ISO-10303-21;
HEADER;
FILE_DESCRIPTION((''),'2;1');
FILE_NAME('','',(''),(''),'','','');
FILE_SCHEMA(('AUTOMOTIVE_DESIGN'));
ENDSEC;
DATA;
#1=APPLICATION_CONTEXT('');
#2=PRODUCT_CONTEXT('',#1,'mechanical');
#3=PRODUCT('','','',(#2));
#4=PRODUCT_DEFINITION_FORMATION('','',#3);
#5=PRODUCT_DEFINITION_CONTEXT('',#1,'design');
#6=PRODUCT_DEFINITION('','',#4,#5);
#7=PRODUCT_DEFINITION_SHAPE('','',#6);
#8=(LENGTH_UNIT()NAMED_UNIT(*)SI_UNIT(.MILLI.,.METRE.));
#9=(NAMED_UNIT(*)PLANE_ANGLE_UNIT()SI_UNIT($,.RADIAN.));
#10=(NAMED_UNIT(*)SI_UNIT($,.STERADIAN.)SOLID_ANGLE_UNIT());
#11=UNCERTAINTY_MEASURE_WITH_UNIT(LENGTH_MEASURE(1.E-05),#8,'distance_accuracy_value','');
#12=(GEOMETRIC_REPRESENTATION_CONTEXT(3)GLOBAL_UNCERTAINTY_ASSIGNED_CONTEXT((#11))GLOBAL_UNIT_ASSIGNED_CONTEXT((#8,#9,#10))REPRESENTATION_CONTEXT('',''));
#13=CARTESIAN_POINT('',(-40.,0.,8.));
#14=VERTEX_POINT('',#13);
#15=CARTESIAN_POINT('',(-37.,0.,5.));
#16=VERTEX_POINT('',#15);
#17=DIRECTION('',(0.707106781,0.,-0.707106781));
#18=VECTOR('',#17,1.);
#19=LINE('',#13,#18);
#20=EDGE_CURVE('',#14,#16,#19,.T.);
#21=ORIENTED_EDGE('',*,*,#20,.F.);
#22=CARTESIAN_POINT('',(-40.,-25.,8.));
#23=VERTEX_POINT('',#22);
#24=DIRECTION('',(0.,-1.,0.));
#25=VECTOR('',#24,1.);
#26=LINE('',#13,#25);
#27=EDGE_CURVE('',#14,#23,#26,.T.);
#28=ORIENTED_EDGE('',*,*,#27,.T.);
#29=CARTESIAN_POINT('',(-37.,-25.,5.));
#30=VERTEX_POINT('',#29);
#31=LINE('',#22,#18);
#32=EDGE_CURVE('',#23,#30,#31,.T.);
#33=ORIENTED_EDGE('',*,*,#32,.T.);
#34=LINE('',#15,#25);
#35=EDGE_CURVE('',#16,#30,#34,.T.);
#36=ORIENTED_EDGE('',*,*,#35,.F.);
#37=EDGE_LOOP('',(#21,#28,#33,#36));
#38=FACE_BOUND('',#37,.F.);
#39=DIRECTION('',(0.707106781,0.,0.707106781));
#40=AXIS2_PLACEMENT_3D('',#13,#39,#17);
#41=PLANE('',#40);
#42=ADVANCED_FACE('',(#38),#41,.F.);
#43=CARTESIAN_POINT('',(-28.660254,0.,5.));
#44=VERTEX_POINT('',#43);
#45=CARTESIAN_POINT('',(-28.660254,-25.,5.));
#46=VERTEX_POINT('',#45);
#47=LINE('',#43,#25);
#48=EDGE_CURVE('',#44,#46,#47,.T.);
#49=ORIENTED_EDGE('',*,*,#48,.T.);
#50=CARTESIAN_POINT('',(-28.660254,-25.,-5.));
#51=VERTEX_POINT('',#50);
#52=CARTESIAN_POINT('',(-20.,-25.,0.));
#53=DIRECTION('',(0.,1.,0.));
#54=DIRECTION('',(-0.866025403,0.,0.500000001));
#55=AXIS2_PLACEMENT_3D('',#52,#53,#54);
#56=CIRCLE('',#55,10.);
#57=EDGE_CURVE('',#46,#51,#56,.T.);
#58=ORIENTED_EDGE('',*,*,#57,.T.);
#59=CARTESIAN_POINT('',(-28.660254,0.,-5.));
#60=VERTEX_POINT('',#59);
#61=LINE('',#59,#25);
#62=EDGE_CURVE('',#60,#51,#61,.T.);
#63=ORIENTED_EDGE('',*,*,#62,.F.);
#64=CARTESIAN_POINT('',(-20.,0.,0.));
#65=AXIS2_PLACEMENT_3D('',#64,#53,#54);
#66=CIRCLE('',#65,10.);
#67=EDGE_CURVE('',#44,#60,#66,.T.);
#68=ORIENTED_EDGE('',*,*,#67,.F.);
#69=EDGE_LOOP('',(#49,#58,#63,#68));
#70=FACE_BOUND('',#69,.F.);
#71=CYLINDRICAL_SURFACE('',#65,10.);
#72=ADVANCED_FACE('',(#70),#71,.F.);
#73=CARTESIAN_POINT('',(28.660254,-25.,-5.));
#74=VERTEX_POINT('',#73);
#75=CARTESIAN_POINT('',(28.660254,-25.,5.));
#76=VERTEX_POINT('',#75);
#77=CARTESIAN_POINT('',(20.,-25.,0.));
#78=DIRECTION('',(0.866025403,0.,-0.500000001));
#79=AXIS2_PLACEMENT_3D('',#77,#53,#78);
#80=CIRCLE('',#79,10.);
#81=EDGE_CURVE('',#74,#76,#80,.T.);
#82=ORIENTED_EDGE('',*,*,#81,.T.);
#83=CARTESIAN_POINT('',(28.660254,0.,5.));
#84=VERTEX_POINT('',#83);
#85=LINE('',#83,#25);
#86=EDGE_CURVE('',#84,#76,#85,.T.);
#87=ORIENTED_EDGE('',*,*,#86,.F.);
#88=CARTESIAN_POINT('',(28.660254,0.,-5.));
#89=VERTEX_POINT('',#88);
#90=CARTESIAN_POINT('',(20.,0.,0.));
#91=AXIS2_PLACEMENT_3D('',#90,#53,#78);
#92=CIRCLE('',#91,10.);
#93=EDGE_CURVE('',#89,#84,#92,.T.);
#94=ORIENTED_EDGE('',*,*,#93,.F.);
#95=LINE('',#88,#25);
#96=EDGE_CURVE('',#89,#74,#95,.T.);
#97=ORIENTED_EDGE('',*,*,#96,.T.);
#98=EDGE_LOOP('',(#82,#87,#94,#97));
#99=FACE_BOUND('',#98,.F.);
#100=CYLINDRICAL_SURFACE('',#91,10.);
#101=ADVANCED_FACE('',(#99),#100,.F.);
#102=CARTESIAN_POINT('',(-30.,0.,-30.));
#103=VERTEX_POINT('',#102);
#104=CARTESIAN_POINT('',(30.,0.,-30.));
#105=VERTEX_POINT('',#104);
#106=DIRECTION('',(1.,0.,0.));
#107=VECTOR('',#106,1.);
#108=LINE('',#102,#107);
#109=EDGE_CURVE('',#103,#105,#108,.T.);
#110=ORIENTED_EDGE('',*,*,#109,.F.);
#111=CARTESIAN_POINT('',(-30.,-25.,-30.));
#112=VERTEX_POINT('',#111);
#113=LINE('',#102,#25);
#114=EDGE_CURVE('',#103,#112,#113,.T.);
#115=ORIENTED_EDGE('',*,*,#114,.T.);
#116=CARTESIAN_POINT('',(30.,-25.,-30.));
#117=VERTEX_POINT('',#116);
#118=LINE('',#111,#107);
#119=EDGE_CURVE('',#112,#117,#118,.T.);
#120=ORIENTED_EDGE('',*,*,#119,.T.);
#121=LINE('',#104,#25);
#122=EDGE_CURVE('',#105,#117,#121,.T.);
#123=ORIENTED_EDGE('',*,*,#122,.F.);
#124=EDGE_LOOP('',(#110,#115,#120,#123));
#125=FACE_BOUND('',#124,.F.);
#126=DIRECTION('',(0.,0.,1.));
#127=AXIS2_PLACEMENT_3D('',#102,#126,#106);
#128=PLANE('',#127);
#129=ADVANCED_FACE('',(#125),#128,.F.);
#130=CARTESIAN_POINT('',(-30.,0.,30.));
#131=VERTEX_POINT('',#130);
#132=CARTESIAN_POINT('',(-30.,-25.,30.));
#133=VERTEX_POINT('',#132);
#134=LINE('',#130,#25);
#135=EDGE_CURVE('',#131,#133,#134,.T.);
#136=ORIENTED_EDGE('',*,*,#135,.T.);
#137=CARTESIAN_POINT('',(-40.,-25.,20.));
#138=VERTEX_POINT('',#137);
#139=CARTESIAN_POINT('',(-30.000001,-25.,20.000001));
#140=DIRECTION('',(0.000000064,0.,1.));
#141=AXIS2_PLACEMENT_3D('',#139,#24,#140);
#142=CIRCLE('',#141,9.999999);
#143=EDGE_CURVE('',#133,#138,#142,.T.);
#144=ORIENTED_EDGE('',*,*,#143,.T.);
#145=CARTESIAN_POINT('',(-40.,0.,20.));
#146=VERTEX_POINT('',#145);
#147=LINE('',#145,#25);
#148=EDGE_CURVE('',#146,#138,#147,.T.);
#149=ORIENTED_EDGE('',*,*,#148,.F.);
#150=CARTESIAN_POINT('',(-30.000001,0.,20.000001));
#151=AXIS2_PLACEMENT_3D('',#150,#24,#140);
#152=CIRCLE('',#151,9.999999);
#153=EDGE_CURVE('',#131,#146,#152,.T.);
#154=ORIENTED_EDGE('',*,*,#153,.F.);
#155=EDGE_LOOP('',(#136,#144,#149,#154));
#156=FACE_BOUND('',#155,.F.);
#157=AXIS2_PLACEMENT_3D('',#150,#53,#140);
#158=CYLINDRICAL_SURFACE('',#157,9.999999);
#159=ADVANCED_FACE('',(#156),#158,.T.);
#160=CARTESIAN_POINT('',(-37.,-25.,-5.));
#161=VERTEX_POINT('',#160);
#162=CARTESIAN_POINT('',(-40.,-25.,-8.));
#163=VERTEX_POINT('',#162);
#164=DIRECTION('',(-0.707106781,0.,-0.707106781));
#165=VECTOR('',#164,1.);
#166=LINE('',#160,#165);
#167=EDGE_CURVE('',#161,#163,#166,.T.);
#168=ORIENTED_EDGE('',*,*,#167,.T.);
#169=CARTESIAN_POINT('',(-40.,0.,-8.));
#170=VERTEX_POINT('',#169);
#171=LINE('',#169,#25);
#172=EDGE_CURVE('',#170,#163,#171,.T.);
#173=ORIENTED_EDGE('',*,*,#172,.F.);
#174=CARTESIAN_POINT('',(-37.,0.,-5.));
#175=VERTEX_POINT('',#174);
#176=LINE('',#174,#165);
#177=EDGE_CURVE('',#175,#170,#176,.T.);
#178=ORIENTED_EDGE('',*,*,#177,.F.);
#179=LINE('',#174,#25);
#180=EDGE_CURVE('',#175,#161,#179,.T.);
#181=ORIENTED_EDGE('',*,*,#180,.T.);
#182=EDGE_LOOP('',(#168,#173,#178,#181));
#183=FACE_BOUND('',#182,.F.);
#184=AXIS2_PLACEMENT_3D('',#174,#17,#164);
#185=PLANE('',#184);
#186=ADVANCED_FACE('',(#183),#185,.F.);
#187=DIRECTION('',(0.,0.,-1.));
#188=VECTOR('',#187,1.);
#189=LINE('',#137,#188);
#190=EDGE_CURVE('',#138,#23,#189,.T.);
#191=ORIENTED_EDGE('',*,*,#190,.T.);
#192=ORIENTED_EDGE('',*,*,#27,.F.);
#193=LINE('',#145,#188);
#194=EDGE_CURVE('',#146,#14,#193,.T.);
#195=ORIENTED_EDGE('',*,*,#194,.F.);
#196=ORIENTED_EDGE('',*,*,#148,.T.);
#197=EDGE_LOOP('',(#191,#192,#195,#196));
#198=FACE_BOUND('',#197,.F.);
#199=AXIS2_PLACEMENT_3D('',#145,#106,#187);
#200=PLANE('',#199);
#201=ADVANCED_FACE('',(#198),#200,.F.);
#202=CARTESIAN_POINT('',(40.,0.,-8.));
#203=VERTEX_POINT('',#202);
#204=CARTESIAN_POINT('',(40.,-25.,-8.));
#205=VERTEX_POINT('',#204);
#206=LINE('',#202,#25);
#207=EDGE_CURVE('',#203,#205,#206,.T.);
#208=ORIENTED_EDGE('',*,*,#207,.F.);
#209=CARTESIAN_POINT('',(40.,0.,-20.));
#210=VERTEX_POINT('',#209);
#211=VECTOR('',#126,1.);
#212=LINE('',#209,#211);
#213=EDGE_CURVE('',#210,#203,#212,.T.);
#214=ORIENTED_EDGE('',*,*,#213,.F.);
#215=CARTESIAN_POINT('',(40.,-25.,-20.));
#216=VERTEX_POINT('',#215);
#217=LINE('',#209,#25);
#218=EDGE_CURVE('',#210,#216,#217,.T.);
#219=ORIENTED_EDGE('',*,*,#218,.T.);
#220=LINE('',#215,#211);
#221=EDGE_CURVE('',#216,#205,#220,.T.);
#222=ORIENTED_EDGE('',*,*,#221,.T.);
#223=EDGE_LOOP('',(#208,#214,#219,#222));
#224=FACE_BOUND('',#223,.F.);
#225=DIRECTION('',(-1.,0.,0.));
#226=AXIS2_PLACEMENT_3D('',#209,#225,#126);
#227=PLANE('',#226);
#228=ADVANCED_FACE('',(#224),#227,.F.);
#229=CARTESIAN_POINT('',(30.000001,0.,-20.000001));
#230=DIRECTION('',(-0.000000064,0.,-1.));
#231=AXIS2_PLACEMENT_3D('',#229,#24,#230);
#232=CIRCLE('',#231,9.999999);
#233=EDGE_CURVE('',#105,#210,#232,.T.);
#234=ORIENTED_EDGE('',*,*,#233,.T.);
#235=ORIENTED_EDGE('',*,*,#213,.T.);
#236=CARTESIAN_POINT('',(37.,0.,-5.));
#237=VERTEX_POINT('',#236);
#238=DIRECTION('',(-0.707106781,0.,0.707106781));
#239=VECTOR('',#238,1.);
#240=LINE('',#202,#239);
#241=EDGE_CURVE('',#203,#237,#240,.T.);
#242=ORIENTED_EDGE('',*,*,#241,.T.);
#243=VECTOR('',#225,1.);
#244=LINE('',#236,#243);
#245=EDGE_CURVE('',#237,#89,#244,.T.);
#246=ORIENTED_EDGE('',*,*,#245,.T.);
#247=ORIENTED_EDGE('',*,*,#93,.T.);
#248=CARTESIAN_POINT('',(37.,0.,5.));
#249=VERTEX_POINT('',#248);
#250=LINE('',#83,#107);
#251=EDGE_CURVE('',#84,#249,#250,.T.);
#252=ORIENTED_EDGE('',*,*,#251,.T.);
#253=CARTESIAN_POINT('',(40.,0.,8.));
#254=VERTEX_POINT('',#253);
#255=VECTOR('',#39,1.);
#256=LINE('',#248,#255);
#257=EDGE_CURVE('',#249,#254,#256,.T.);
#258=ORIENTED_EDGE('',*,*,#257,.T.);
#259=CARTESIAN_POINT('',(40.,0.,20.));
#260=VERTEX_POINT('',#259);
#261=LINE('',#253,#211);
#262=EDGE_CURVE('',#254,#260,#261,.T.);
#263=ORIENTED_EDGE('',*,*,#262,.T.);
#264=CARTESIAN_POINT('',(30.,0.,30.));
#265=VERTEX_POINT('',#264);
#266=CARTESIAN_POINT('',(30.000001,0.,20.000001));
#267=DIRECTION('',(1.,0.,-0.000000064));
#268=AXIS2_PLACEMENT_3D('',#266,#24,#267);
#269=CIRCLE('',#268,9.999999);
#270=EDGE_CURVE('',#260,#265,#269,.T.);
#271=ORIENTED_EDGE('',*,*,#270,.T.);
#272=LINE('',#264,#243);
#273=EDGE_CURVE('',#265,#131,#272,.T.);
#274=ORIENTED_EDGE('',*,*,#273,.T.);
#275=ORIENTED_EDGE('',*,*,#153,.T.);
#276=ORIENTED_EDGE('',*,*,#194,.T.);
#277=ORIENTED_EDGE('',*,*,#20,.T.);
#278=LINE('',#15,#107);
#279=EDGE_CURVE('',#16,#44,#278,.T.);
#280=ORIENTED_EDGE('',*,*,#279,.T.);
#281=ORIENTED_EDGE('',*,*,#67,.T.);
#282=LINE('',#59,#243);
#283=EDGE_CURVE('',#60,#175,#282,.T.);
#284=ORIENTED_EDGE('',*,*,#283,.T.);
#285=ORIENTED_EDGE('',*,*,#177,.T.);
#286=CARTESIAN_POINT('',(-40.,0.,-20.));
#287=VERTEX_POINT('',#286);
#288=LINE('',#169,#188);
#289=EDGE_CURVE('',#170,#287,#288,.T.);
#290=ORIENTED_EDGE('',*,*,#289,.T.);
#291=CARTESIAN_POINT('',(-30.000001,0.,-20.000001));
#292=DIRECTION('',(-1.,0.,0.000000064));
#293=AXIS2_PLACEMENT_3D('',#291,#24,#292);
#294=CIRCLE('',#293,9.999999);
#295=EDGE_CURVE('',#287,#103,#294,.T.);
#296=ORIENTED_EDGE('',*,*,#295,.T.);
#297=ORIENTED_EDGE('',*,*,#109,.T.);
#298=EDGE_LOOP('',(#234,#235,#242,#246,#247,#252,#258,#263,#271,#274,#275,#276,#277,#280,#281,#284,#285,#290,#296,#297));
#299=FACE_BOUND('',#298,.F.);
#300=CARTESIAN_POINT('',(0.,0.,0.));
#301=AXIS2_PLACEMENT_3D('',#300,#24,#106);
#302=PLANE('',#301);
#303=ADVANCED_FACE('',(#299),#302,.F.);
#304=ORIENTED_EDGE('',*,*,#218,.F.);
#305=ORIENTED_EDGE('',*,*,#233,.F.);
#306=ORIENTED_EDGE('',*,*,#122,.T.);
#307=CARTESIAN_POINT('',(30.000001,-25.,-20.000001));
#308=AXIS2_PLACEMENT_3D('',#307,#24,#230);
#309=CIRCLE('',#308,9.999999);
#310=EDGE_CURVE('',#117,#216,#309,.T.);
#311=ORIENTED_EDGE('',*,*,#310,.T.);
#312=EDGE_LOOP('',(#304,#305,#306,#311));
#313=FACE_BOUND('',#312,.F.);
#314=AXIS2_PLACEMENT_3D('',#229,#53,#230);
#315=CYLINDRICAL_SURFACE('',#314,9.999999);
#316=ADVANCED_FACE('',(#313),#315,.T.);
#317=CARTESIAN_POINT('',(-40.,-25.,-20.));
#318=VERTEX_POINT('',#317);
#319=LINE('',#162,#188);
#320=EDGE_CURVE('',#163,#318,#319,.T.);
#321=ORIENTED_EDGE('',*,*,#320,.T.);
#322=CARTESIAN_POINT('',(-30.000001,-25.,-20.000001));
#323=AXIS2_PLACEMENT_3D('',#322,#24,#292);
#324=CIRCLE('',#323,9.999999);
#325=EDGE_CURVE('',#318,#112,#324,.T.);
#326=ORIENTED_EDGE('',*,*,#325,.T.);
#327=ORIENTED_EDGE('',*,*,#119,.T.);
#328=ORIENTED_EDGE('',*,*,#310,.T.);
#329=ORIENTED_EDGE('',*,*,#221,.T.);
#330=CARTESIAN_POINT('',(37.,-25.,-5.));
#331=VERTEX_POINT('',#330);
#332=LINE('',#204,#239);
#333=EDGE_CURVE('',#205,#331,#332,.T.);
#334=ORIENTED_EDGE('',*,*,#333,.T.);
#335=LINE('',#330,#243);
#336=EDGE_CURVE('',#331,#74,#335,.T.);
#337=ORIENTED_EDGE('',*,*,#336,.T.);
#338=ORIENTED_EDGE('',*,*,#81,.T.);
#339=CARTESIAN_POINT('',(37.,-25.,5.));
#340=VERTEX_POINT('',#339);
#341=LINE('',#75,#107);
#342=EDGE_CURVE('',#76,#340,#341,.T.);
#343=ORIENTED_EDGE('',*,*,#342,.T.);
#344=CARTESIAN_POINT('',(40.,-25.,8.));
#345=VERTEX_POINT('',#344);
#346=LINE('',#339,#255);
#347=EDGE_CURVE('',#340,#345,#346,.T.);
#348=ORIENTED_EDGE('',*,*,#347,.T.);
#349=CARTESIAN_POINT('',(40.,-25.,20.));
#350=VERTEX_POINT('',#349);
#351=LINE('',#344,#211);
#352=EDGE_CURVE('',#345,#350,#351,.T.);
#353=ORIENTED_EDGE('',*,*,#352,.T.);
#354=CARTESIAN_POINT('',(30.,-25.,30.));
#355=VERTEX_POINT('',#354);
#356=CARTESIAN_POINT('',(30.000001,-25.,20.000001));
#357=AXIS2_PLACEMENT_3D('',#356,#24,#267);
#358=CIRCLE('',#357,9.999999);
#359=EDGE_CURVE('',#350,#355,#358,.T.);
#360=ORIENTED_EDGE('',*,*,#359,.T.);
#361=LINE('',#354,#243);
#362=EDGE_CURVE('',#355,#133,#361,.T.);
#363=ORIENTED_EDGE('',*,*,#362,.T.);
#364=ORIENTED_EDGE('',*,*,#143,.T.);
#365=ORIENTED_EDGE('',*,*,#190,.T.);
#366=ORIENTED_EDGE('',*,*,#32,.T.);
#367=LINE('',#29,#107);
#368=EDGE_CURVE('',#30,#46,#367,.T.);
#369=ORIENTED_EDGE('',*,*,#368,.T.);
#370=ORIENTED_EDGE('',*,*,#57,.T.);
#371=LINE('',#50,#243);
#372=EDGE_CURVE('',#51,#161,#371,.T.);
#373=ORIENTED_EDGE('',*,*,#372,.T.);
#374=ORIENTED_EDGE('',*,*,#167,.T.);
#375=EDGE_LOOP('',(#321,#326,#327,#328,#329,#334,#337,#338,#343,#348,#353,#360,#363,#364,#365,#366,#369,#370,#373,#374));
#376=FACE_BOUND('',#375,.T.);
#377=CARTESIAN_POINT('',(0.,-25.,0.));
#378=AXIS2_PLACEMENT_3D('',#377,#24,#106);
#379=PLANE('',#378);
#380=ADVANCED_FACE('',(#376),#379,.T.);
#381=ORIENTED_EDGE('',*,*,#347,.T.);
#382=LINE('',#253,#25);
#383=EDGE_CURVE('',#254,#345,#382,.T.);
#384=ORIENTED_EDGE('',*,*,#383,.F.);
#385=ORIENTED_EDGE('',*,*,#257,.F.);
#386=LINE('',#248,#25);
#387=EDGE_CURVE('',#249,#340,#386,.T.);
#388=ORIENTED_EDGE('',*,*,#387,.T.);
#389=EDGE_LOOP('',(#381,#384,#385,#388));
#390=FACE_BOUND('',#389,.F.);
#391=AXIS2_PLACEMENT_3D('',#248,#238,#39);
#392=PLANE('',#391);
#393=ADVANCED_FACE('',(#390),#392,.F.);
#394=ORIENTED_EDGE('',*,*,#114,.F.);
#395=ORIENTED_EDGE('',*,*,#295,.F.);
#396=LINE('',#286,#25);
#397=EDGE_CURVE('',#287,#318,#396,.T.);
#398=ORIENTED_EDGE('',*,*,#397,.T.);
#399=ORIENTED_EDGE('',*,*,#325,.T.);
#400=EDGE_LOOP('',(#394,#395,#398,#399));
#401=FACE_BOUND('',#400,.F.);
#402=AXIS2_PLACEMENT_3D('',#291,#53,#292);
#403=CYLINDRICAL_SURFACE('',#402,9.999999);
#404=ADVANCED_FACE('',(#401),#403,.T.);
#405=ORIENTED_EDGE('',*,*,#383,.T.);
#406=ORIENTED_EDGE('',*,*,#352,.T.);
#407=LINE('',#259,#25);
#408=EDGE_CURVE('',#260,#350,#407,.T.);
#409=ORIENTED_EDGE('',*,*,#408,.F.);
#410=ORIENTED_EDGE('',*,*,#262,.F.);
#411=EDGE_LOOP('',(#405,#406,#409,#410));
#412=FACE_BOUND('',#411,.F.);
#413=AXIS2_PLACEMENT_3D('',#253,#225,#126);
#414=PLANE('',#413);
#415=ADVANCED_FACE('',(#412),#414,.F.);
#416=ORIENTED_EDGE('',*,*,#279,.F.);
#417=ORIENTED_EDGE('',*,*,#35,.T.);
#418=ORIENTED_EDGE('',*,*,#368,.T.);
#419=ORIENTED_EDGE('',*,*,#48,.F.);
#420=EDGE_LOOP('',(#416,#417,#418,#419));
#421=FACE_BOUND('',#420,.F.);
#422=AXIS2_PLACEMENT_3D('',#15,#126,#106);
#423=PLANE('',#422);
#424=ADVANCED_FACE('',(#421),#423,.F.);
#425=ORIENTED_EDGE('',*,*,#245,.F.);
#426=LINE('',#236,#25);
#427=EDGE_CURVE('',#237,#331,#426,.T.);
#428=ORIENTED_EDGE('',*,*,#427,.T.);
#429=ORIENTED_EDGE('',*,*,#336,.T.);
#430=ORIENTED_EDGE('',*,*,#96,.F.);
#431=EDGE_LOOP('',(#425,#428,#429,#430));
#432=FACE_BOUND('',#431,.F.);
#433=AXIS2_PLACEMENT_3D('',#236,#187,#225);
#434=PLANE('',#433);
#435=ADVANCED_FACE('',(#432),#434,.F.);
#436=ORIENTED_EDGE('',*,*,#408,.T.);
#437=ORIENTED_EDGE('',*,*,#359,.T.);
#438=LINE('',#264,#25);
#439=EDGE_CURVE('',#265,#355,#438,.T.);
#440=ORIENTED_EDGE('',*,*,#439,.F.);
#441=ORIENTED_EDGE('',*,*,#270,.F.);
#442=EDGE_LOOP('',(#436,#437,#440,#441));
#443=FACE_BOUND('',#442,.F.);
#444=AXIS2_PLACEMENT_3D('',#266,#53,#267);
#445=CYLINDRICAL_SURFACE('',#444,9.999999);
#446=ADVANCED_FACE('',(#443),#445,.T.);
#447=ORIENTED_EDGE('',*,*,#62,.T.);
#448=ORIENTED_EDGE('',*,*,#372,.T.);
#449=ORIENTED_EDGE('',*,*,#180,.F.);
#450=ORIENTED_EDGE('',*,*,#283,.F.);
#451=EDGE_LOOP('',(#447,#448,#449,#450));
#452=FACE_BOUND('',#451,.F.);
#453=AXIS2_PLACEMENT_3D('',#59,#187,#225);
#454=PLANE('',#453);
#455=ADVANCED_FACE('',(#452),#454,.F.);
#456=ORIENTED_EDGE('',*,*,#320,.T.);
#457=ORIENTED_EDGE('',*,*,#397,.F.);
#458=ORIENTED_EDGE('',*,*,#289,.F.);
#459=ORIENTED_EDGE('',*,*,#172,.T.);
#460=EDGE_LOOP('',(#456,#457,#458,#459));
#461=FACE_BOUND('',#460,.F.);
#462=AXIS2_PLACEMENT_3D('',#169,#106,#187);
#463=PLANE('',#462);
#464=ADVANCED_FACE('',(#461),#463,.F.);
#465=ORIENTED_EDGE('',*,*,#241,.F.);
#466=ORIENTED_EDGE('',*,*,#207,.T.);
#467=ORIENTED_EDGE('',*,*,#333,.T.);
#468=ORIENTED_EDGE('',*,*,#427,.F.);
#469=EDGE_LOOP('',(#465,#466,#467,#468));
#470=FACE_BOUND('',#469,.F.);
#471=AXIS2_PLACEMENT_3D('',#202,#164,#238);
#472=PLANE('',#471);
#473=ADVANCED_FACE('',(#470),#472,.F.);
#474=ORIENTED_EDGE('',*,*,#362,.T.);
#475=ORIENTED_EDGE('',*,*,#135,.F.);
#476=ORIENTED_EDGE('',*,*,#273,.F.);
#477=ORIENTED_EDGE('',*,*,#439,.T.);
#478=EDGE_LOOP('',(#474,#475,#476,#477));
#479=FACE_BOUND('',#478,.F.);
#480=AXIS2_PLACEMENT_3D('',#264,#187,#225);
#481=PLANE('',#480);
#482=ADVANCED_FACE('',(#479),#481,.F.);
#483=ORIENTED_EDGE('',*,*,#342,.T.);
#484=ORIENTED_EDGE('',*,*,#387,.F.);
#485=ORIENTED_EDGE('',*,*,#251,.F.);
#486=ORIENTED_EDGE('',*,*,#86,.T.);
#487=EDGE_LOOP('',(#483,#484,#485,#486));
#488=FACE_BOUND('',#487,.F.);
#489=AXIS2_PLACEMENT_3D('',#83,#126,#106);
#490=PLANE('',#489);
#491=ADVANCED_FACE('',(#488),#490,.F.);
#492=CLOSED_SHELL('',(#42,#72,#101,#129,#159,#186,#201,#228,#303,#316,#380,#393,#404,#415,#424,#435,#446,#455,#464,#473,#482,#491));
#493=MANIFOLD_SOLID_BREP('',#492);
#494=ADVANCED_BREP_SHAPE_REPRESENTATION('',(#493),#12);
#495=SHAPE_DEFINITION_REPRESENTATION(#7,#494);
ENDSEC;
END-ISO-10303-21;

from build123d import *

# Parameters (mm, degrees)
F1_DEPTH = 25


with BuildPart() as f1:
    # F0 (on Front) → F1 (new body)
    with BuildSketch(Plane.XZ):
        with BuildLine():
            ThreePointArc((-28.660254, 5), (-10, 0), (-28.660254, -5))
            Line((-28.660254, -5), (-37, -5))
            Line((-37, -5), (-40, -8))
            Line((-40, -8), (-40, -20))
            ThreePointArc((-40, -20), (-37.071068, -27.071068), (-30, -30))
            Line((-30, -30), (0, -30))
            Line((0, -30), (30, -30))
            ThreePointArc((30, -30), (37.071068, -27.071068), (40, -20))
            Line((40, -20), (40, -8))
            Line((40, -8), (37, -5))
            Line((37, -5), (28.660254, -5))
            ThreePointArc((28.660254, -5), (10, 0), (28.660254, 5))
            Line((28.660254, 5), (37, 5))
            Line((37, 5), (40, 8))
            Line((40, 8), (40, 20))
            ThreePointArc((40, 20), (37.071068, 27.071068), (30, 30))
            Line((30, 30), (0, 30))
            Line((0, 30), (-30, 30))
            ThreePointArc((-30, 30), (-37.071068, 27.071068), (-40, 20))
            Line((-40, 20), (-40, 8))
            Line((-40, 8), (-37, 5))
            Line((-37, 5), (-28.660254, 5))
        make_face()
    extrude(amount=F1_DEPTH)


solid = f1.part
